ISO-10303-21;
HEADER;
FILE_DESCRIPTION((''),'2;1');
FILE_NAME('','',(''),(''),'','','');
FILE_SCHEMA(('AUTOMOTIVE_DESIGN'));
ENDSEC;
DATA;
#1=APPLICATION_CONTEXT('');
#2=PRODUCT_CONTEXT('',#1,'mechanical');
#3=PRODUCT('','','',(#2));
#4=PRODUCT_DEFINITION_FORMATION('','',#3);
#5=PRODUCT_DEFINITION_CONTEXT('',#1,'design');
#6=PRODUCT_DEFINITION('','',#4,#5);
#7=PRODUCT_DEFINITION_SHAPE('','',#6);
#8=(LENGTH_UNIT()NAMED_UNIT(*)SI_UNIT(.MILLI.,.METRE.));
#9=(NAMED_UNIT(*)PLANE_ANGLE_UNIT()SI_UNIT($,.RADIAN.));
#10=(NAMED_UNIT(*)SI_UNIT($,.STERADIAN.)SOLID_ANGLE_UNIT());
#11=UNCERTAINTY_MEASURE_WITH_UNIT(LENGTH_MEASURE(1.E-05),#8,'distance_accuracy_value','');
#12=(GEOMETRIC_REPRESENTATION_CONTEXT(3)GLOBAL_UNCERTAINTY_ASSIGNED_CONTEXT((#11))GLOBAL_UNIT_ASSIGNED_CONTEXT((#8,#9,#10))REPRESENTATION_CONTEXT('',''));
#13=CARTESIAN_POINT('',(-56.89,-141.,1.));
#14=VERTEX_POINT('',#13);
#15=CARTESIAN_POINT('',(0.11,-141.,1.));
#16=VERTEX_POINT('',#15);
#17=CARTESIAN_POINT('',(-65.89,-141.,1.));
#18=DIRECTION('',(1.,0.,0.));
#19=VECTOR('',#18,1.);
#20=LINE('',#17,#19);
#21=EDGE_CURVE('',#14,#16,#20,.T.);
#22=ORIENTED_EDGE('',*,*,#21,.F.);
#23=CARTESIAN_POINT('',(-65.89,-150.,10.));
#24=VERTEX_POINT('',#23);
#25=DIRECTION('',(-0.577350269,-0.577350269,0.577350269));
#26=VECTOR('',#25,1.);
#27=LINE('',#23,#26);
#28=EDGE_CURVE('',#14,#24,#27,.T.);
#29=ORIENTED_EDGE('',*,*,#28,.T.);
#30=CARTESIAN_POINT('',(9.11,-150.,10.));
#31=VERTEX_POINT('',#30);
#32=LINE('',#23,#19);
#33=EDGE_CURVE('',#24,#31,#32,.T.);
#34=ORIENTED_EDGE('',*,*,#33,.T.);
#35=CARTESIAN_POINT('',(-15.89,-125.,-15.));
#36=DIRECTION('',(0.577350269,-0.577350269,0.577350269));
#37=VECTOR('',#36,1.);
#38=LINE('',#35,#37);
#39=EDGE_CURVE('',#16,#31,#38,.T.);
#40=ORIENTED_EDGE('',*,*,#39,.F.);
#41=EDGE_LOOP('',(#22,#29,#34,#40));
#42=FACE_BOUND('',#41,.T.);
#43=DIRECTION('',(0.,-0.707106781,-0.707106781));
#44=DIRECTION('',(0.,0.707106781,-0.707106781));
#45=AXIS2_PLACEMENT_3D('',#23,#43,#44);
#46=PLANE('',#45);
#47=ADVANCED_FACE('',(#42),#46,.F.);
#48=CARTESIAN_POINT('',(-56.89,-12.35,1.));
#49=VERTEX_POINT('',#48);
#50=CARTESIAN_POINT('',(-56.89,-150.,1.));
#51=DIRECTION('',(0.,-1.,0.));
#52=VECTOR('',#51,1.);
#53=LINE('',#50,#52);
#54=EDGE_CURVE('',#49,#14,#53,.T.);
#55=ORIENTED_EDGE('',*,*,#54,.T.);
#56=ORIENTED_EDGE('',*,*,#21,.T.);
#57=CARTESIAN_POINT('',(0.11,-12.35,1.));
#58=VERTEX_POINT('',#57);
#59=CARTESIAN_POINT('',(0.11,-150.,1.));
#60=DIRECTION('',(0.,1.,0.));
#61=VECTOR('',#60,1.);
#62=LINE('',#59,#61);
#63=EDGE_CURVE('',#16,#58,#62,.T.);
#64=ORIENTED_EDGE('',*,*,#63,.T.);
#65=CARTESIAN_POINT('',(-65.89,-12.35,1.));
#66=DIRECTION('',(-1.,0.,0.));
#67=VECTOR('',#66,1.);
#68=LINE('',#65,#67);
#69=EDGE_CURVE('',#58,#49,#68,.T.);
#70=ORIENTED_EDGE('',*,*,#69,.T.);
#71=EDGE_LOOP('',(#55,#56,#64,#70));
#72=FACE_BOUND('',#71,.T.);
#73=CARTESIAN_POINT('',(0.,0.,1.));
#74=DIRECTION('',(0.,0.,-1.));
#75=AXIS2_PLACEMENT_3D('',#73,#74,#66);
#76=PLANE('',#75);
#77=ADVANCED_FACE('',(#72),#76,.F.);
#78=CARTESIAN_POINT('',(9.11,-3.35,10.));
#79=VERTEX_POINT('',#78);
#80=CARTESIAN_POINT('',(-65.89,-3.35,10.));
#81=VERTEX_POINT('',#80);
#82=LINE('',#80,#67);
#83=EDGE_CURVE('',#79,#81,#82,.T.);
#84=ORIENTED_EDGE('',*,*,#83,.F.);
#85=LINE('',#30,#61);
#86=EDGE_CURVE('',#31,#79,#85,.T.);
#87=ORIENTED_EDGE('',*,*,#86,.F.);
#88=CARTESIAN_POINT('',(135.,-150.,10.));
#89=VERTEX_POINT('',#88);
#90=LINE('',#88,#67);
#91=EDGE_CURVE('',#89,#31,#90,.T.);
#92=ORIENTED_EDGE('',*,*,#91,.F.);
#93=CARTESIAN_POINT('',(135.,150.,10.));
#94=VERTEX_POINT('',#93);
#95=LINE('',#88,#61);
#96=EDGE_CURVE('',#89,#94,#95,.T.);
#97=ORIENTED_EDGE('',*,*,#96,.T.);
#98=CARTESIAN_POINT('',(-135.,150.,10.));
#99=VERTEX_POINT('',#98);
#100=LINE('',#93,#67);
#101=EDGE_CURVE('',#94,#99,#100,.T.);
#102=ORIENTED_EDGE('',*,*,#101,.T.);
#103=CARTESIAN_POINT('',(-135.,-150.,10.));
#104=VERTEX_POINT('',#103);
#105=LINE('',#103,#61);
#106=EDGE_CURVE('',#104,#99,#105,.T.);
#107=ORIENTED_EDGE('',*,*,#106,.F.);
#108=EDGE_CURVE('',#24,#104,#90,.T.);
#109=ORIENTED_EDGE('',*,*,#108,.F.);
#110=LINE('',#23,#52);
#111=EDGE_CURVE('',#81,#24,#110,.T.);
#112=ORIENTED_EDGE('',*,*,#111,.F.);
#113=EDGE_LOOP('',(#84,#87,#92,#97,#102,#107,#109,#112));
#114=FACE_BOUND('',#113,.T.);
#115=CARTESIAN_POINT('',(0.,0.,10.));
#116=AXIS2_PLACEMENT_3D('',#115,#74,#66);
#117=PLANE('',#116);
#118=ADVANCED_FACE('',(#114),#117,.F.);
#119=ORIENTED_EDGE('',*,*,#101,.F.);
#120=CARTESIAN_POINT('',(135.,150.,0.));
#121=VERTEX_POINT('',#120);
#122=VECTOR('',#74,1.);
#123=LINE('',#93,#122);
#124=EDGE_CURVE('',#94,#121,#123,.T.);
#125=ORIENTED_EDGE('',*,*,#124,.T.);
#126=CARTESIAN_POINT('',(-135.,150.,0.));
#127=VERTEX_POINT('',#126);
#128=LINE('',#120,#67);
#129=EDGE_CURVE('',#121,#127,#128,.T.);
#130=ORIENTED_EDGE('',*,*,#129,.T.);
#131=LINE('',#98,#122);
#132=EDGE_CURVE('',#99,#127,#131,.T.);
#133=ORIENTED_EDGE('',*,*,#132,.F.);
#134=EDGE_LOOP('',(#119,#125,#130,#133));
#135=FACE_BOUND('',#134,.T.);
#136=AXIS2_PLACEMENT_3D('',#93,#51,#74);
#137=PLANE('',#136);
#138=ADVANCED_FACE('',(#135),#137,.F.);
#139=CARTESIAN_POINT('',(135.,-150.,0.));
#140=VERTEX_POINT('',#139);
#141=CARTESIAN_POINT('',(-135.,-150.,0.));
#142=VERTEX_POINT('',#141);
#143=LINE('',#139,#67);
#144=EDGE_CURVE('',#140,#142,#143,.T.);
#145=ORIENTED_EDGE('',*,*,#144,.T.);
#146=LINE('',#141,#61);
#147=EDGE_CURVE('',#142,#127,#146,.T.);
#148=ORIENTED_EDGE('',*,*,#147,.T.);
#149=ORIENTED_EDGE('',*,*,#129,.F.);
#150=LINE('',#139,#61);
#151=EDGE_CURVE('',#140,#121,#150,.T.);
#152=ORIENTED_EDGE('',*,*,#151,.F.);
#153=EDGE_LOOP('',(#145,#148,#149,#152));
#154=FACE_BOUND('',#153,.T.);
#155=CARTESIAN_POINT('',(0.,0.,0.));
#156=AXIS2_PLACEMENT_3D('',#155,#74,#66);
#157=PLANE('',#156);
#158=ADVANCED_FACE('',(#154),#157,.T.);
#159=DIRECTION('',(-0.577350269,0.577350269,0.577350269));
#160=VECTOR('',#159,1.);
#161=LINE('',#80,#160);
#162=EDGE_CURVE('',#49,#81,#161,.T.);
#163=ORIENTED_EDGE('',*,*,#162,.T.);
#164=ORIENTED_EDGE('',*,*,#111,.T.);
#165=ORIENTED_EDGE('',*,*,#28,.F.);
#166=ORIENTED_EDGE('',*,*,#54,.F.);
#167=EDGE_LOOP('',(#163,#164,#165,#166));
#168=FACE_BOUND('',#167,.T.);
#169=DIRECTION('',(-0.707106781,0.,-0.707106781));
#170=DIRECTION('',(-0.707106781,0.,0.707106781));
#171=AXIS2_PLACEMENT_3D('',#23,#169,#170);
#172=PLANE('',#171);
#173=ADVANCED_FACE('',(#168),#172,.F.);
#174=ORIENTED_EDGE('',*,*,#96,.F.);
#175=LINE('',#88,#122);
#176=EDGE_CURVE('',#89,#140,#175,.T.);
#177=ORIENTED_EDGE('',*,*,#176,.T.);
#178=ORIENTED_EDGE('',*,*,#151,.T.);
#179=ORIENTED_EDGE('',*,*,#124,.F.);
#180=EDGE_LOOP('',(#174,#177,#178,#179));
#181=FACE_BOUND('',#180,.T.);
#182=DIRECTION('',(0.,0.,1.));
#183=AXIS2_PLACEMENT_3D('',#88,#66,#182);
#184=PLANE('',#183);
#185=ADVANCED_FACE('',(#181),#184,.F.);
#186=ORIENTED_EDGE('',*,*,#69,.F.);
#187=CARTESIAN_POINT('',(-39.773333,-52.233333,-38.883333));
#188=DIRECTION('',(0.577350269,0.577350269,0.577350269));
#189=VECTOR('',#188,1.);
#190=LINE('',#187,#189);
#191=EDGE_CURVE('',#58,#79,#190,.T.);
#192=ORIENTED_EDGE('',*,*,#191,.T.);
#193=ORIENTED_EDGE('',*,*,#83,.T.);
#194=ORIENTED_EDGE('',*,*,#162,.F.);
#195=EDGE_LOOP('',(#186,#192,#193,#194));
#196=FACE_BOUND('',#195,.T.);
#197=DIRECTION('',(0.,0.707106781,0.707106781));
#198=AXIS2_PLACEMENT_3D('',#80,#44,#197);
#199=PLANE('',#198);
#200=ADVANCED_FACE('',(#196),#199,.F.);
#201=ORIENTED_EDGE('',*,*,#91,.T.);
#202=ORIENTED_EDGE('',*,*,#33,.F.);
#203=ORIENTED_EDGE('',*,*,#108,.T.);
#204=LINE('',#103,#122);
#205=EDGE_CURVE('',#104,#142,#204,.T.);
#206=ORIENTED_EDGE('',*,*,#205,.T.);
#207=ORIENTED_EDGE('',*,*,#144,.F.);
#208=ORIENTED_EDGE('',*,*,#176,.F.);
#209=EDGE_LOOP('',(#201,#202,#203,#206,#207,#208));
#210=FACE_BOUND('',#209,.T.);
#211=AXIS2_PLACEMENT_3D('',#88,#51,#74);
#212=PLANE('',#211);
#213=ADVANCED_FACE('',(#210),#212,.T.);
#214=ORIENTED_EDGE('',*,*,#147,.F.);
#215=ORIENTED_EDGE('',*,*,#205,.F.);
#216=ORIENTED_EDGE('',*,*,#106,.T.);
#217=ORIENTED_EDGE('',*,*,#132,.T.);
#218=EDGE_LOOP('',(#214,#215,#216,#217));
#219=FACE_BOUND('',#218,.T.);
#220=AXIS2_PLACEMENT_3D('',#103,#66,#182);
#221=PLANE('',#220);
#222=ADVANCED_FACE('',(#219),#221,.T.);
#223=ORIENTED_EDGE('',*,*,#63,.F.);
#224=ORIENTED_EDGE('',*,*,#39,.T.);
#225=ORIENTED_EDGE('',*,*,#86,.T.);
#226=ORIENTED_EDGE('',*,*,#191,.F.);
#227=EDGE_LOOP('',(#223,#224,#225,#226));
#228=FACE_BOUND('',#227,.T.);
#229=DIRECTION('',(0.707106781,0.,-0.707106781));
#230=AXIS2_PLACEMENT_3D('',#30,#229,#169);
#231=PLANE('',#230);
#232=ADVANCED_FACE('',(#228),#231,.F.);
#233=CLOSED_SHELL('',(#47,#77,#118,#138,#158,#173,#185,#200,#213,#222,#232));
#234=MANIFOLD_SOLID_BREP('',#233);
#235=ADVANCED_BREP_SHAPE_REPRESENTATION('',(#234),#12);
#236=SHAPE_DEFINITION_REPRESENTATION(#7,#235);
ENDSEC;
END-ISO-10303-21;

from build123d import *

# Parameters (mm, degrees)
SKETCH1_W           = 270
SKETCH1_H           = 300
BOSS_EXTRUDE1_DEPTH = 10
SKETCH2_W           = 75
SKETCH2_H           = 146.65
CUT_EXTRUDE1_DEPTH  = 9
CUT_EXTRUDE1_DRAFT  = -45


with BuildPart() as part:
    # Sketch1 → Boss-Extrude1 (new body)
    with BuildSketch(Plane.XY):
        Rectangle(SKETCH1_W, SKETCH1_H)
    extrude(amount=BOSS_EXTRUDE1_DEPTH)


with BuildPart() as cut_extrude1_tool:
    # Sketch2 → Cut-Extrude1 (with draft: the straight prism first)
    with BuildSketch(Plane.XY.offset(10)):
        with Locations((-28.39, -76.675)):
            Rectangle(SKETCH2_W, SKETCH2_H)
    extrude(amount=-CUT_EXTRUDE1_DEPTH)
    # Cut-Extrude1: the draft: its side faces are tilted about the plane it starts from
    cut_extrude1_sides = [cut_extrude1_tool.faces().sort_by_distance(p)[0] for p in [
        (-28.39, -150, 5.5),
        (9.11, -76.675, 5.5),
        (-28.39, -3.35, 5.5),
        (-65.89, -76.675, 5.5),
    ]]
    draft(cut_extrude1_sides, Plane.XY.offset(10), CUT_EXTRUDE1_DRAFT)


with BuildPart() as part_1:
    add(part.part)

    # Cut-Extrude1: cut by cut_extrude1_tool
    add(cut_extrude1_tool.part, mode=Mode.SUBTRACT)


solid = part_1.part
